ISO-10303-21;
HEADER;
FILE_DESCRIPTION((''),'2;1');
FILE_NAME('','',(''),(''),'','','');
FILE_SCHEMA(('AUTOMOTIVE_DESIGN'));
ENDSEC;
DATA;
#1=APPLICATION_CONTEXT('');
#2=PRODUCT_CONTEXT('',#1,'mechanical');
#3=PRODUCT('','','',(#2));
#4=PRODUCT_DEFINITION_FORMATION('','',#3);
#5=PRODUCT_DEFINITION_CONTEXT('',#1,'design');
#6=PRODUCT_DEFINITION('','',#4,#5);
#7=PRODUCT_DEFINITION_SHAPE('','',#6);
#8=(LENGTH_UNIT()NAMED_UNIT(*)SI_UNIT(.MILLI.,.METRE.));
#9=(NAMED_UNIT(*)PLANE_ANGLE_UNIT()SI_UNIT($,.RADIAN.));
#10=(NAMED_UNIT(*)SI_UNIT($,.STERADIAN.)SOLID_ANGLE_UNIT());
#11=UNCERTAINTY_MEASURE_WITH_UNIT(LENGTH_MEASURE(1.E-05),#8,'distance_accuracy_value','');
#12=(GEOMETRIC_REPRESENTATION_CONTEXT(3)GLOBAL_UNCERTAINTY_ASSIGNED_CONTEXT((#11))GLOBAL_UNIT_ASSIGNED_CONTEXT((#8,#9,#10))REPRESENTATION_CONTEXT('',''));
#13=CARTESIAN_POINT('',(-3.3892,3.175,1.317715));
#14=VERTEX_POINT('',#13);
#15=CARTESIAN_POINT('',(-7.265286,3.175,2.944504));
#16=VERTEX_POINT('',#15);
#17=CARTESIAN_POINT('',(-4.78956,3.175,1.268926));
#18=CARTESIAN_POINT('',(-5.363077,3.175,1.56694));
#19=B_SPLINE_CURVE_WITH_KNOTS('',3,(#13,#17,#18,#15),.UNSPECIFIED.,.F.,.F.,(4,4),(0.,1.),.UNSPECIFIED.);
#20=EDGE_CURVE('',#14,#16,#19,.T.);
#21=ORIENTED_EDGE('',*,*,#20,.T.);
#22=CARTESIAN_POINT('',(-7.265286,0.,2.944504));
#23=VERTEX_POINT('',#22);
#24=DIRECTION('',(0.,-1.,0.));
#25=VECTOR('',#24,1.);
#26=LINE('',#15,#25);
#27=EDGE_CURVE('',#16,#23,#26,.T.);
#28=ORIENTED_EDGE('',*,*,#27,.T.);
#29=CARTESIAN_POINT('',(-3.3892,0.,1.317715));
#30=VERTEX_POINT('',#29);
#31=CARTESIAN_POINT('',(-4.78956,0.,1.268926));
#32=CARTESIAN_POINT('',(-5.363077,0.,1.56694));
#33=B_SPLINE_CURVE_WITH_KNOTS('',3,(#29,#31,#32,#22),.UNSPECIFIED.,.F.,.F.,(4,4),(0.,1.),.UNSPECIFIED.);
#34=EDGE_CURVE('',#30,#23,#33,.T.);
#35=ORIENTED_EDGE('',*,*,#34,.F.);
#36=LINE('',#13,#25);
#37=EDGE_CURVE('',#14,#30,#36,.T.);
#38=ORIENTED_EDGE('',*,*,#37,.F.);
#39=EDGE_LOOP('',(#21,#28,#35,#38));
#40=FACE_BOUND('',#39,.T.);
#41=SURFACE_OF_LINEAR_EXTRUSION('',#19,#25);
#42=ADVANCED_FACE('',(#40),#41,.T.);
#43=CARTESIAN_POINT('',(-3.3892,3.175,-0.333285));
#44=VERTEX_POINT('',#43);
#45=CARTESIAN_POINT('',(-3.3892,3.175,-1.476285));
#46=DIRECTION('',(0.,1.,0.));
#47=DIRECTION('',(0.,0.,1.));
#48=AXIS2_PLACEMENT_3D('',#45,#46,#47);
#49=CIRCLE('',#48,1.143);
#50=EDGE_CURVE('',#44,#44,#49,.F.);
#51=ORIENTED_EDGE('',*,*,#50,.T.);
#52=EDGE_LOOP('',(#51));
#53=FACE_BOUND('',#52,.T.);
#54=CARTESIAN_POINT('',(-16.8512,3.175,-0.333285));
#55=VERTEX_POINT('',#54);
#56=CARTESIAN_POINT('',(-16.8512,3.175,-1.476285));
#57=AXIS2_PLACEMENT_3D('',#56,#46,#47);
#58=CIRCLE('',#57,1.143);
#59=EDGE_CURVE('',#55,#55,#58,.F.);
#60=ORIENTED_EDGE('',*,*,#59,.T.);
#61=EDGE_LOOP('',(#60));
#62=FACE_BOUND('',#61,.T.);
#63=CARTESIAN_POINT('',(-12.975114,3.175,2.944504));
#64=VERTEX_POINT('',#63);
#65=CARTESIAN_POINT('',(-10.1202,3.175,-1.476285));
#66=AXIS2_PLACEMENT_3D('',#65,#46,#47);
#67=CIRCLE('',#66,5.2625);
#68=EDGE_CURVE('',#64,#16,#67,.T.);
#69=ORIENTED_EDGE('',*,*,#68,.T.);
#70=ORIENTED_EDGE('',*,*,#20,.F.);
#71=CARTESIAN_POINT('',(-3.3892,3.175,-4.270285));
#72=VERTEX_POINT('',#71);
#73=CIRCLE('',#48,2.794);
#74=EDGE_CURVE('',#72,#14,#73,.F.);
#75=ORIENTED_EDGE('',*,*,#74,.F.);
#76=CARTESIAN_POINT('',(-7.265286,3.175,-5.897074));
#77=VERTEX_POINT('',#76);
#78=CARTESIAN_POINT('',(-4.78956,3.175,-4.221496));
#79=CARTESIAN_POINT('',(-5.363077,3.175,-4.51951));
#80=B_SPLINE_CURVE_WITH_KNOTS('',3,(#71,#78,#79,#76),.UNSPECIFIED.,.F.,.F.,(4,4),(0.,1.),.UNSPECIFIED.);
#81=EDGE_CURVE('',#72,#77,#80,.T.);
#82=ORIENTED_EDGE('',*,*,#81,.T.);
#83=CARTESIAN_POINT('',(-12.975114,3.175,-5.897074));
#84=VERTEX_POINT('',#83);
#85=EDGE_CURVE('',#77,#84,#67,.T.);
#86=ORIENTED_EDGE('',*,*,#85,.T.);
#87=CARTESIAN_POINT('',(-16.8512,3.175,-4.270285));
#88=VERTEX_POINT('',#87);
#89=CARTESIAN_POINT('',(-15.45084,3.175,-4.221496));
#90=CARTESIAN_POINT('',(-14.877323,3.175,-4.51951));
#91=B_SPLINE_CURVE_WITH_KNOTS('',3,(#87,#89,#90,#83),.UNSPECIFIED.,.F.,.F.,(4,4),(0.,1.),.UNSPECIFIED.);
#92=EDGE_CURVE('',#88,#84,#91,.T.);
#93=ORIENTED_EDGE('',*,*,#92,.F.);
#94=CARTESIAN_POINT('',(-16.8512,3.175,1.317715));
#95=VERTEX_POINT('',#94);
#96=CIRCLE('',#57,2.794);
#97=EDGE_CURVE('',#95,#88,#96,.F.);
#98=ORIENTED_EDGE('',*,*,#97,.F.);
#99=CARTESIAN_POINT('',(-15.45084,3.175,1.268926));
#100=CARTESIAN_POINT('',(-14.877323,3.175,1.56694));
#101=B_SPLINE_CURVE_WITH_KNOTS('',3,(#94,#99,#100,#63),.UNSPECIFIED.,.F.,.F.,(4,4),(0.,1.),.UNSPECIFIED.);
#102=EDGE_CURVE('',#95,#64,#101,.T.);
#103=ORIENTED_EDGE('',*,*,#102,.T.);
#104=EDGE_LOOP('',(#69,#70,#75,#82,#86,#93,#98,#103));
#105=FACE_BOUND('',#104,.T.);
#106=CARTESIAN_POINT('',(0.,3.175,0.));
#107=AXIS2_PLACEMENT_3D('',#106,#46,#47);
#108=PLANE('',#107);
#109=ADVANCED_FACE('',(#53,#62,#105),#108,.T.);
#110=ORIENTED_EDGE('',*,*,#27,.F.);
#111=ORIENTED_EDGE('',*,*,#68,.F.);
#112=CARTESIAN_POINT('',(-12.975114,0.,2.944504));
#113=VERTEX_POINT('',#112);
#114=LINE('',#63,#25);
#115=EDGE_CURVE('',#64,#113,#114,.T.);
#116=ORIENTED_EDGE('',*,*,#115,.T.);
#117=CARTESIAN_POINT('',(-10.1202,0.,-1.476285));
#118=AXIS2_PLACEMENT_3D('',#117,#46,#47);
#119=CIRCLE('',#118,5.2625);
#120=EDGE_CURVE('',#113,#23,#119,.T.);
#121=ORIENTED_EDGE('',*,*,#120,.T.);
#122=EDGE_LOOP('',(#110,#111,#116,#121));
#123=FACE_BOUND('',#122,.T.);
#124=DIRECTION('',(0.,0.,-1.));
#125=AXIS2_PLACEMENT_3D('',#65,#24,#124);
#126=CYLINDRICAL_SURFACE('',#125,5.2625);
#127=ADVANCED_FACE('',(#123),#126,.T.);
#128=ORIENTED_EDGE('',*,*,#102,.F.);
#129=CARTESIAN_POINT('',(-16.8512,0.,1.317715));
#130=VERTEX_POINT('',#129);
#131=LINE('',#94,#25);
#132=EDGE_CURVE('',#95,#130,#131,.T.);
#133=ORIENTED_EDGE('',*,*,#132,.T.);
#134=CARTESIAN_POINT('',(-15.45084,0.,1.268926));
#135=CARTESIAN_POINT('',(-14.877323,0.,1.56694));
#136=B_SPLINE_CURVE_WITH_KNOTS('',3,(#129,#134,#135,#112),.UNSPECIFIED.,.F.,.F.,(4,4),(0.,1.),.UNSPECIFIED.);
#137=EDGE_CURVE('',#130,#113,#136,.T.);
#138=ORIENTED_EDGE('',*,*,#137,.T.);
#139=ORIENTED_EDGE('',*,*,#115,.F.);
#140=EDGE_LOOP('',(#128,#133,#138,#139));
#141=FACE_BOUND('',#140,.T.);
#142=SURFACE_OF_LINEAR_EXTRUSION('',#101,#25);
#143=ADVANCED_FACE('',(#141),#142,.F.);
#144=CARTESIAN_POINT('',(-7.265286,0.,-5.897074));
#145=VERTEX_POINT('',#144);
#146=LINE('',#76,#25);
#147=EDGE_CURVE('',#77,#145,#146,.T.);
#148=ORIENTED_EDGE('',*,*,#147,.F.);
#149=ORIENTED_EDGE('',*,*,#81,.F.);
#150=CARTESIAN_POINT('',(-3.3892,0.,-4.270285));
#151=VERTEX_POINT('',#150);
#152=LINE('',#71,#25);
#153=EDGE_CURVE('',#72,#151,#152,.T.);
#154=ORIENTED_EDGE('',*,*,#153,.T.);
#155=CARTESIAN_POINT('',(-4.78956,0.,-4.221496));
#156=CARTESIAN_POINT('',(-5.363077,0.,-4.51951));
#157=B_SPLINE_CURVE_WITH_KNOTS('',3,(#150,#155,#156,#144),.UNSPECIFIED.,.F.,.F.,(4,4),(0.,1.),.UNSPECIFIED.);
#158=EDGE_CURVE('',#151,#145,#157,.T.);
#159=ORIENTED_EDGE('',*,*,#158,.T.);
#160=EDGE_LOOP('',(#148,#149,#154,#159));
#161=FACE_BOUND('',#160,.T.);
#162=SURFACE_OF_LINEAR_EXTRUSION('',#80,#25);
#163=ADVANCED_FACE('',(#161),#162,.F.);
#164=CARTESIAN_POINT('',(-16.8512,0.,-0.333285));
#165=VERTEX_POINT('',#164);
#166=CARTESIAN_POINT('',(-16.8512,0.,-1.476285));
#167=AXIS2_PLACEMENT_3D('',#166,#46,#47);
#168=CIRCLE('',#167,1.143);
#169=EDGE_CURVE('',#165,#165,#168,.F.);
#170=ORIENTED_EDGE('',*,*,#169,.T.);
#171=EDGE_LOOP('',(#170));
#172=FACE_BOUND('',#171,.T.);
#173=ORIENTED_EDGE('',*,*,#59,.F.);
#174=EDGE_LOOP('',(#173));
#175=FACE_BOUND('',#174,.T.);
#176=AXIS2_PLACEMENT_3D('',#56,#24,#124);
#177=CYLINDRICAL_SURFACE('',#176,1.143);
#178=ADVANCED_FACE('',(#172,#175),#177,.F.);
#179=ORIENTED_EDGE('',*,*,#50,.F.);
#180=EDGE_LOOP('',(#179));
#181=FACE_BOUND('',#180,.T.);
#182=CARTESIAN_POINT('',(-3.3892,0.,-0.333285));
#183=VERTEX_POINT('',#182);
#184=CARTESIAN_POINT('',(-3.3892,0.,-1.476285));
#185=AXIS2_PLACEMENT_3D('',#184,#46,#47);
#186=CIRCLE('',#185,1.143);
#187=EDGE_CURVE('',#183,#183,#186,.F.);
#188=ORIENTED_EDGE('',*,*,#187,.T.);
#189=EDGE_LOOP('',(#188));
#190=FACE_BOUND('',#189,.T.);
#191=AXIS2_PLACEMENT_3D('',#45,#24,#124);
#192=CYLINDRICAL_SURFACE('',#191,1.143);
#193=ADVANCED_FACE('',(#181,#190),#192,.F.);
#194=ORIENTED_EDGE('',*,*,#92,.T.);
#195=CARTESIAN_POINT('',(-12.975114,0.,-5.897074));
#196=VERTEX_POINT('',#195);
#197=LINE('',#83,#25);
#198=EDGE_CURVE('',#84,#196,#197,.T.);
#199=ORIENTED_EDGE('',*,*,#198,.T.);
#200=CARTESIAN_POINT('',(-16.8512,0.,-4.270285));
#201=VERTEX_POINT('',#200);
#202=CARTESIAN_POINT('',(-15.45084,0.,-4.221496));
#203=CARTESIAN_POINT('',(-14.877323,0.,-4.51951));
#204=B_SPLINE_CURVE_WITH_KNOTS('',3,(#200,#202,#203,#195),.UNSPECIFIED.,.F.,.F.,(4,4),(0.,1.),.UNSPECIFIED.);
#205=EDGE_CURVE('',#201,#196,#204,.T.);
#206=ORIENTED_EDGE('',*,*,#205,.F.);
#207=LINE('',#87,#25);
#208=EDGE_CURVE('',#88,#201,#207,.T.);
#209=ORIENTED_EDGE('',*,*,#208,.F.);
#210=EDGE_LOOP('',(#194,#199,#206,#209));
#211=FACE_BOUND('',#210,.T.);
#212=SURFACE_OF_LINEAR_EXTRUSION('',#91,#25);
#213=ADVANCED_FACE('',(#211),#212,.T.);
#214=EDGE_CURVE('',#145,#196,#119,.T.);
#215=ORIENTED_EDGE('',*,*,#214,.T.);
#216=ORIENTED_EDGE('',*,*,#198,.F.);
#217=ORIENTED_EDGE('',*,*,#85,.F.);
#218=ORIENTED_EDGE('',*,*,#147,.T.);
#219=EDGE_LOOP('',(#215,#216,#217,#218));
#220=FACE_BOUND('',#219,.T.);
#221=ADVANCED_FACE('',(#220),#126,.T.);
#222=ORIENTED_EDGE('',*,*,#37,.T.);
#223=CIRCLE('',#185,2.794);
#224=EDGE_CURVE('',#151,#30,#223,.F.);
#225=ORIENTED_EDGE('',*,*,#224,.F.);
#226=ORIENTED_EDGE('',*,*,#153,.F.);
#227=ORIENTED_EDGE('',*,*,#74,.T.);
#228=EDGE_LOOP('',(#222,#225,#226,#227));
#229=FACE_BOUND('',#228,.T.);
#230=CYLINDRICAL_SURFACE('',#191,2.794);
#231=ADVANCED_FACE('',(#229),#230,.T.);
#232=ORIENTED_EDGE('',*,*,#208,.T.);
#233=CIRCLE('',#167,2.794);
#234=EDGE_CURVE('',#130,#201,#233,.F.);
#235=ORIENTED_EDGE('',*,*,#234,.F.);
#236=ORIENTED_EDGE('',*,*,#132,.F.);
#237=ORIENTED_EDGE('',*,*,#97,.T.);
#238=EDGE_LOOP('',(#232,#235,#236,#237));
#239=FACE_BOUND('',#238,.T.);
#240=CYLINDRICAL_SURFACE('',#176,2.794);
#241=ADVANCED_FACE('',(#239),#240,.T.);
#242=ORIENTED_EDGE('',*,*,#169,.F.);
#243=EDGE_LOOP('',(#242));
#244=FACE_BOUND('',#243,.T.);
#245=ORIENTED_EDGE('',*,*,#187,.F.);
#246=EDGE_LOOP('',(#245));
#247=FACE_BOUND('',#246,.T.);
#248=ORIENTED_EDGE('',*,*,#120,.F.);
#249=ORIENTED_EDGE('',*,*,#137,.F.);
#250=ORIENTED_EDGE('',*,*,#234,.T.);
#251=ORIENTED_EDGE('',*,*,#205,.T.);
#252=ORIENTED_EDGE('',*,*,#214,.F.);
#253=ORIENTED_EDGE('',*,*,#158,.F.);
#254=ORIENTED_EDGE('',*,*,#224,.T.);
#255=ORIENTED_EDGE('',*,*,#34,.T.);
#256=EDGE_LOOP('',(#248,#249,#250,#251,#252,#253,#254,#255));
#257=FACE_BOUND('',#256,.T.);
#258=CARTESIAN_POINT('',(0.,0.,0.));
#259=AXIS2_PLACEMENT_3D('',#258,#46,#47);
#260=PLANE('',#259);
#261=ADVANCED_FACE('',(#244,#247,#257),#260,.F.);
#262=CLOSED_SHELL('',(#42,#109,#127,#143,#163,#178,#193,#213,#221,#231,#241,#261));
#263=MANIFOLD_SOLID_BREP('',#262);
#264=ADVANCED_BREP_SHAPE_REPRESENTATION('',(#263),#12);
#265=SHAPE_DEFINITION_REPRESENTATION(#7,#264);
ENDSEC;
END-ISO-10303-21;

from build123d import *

# Parameters (mm, degrees)
CROQUIS1_R              = 1.143
SALIENTE_EXTRUIR8_DEPTH = 3.175


with BuildPart() as part:
    # Croquis1 → Saliente-Extruir8 (new body)
    with BuildSketch(Plane(origin=(0, 0, 0), x_dir=(1, 0, 0), z_dir=(0, 1, 0))):
        with BuildLine():
            ThreePointArc((-16.851199999, 4.270284963), (-19.645199999, 1.476284963), (-16.851199999, -1.317715037))
            add(Edge.make_bspline(
                [(-16.851199999, -1.317715037), (-15.450840408, -1.268925893), (-14.877323423, -1.566939978), (-12.975113768, -2.944503837)],
                knots=[0, 0, 0, 0, 1, 1, 1, 1], degree=3))
            ThreePointArc((-12.975113768, -2.944503837), (-10.120199999, -3.786215037), (-7.265286229, -2.944503837))
            add(Edge.make_bspline(
                [(-7.265286229, -2.944503837), (-5.363076574, -1.566939978), (-4.789559589, -1.268925893), (-3.389199999, -1.317715037)],
                knots=[0.921934519, 0.921934519, 0.921934519, 0.921934519, 1.921934519, 1.921934519, 1.921934519, 1.921934519], degree=3))
            ThreePointArc((-3.389199999, -1.317715037), (-0.595199999, 1.476284963), (-3.389199999, 4.270284963))
            add(Edge.make_bspline(
                [(-3.389199999, 4.270284963), (-4.789559589, 4.221495819), (-5.363076574, 4.519509904), (-7.265286229, 5.897073763)],
                knots=[0, 0, 0, 0, 1, 1, 1, 1], degree=3))
            ThreePointArc((-7.265286229, 5.897073763), (-10.120199999, 6.738784963), (-12.975113768, 5.897073763))
            add(Edge.make_bspline(
                [(-12.975113768, 5.897073763), (-14.877323423, 4.519509904), (-15.450840408, 4.221495819), (-16.851199999, 4.270284963)],
                knots=[0.921934519, 0.921934519, 0.921934519, 0.921934519, 1.921934519, 1.921934519, 1.921934519, 1.921934519], degree=3))
        make_face()
        with Locations((-16.851199999, 1.476284963)):
            Circle(CROQUIS1_R, mode=Mode.SUBTRACT)
        with Locations((-3.389199999, 1.476284963)):
            Circle(CROQUIS1_R, mode=Mode.SUBTRACT)
    extrude(amount=SALIENTE_EXTRUIR8_DEPTH)


solid = part.part
